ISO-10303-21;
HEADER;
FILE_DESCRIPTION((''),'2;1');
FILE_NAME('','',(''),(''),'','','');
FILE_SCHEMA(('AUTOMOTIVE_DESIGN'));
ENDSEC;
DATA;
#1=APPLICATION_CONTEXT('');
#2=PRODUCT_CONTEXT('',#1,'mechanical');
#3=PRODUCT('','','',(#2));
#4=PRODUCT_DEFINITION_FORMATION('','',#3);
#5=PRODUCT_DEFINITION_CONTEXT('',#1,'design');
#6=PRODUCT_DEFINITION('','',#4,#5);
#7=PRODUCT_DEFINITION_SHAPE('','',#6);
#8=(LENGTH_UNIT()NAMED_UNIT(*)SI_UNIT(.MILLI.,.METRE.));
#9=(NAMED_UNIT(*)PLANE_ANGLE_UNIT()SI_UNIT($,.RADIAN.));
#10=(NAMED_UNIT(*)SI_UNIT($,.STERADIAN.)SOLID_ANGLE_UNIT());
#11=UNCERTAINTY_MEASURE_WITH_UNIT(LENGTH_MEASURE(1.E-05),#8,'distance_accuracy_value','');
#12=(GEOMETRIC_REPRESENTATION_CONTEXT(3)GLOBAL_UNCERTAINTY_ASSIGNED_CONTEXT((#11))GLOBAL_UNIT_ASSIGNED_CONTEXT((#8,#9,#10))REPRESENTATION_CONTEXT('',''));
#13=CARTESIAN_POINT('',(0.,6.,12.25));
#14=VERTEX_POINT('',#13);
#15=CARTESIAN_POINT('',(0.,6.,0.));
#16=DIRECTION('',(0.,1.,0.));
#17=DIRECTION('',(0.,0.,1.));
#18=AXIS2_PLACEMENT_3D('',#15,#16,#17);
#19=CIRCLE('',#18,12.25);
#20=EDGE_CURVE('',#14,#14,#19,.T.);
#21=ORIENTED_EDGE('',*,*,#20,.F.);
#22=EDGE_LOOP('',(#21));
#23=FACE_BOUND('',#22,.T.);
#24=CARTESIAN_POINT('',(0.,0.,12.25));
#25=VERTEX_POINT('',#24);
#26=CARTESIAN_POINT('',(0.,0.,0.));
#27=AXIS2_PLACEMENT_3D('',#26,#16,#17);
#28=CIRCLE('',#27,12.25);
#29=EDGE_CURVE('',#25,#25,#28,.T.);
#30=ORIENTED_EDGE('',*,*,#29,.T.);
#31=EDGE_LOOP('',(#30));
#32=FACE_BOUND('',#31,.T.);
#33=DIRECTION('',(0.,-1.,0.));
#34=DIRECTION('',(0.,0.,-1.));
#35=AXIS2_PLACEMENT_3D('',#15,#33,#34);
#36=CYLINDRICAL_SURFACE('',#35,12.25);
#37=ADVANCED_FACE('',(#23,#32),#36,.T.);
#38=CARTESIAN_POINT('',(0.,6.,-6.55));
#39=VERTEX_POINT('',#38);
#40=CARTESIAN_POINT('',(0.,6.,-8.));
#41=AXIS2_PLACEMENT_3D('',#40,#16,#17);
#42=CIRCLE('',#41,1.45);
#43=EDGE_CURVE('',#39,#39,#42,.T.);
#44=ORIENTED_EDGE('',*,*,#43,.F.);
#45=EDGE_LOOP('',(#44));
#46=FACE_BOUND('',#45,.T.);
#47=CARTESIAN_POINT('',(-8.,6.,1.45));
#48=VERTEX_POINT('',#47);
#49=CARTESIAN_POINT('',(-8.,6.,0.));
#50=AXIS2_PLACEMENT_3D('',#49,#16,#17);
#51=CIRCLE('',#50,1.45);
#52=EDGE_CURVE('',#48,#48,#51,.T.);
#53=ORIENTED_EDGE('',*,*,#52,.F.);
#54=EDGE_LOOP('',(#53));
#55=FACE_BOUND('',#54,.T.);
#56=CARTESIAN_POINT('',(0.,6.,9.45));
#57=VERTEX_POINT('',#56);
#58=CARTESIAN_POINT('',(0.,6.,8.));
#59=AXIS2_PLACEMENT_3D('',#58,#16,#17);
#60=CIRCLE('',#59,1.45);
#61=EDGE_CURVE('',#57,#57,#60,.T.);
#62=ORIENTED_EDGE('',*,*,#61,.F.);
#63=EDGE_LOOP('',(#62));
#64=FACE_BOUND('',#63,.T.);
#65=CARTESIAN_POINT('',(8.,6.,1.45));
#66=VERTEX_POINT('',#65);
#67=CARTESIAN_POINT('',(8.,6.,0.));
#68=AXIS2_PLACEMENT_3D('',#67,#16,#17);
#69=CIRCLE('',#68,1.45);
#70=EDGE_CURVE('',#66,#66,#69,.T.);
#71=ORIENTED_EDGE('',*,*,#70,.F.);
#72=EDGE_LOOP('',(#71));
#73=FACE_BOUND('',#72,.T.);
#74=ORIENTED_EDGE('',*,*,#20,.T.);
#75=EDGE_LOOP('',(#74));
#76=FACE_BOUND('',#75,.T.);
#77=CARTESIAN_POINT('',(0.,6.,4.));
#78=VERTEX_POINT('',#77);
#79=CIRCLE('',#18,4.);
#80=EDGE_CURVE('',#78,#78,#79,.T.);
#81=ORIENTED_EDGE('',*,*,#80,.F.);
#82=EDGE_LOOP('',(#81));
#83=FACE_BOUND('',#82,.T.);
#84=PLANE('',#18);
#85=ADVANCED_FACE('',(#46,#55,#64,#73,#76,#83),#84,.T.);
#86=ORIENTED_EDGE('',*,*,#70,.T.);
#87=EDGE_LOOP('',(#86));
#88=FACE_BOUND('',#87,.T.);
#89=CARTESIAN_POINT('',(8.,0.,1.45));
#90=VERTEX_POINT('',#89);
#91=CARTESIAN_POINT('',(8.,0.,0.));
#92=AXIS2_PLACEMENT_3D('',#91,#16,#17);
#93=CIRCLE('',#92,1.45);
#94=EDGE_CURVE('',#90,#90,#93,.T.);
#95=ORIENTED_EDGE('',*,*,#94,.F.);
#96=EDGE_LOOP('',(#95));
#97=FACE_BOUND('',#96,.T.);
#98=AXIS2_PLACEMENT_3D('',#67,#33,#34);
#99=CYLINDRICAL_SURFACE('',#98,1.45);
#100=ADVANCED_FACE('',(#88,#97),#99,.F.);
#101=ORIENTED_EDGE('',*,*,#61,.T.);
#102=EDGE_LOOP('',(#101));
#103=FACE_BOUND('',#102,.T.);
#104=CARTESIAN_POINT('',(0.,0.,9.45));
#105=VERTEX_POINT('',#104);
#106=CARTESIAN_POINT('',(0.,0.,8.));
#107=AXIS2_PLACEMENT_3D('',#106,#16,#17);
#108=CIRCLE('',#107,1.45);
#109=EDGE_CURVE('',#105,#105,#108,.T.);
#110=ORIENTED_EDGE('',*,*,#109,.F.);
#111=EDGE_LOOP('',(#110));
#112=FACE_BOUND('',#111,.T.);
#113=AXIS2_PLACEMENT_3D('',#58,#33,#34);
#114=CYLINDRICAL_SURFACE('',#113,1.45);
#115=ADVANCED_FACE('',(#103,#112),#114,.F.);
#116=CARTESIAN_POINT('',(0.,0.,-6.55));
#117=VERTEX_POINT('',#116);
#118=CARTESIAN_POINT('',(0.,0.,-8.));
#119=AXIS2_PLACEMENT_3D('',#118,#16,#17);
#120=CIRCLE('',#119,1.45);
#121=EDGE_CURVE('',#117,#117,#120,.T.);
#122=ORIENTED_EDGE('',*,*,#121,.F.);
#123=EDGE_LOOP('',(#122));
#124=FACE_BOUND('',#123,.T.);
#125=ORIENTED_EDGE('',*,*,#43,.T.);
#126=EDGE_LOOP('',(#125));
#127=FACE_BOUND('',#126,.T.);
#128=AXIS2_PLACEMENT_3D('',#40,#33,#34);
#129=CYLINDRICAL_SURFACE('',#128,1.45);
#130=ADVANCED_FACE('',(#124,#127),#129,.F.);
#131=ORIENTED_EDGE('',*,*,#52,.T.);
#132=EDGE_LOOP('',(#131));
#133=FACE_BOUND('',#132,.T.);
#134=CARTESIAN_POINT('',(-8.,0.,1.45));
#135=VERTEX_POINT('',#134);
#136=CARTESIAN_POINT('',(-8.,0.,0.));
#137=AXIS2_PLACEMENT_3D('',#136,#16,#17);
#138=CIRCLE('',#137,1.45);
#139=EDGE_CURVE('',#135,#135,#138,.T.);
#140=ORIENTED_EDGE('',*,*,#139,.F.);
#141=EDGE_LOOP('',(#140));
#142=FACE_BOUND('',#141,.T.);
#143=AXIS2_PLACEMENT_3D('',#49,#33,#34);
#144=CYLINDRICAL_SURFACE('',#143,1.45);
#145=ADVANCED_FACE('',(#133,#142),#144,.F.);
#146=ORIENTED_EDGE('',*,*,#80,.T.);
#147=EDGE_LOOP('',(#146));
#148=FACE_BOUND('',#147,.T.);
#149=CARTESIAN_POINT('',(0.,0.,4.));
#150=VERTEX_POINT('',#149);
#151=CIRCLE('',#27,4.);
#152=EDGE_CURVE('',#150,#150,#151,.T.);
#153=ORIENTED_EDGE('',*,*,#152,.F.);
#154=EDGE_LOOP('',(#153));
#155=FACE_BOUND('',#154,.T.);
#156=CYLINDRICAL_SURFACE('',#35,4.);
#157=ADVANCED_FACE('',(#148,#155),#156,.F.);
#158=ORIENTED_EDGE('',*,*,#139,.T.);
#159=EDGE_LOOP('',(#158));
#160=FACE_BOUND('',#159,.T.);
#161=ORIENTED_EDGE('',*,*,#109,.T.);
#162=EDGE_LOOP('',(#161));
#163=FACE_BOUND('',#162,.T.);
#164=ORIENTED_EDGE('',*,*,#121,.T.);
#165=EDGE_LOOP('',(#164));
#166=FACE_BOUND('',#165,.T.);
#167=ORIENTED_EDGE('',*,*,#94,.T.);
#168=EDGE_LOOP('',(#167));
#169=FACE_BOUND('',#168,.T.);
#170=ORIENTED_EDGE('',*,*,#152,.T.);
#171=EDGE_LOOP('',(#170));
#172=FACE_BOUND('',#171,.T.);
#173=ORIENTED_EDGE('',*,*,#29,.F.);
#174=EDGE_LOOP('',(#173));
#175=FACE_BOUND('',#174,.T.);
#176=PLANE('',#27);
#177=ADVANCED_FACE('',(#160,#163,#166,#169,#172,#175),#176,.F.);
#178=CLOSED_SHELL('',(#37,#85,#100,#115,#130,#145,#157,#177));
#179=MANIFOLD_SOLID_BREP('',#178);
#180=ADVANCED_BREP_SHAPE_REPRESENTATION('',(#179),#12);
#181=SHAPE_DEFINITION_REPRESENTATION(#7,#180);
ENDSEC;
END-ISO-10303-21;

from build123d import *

# Parameters (mm, degrees)
SKETCH_1_R      = 12.25
SKETCH_1_R_2    = 4
SKETCH_1_R_3    = 1.45
EXTRUDE_1_DEPTH = 6


with BuildPart() as part:
    # 草图1 → 凸台-拉伸1 (new body)
    with BuildSketch(Plane(origin=(0, 0, 0), x_dir=(1, 0, 0), z_dir=(0, 1, 0))):
        with Locations(Location((0, 0, 0), (0, 0, 270))):
            Circle(SKETCH_1_R)
        with Locations(Location((0, 0, 0), (0, 0, 270))):
            Circle(SKETCH_1_R_2, mode=Mode.SUBTRACT)
        with Locations(Location((0, 8, 0), (0, 0, 270))):
            Circle(SKETCH_1_R_3, mode=Mode.SUBTRACT)
        with Locations(Location((8, 0, 0), (0, 0, 270))):
            Circle(SKETCH_1_R_3, mode=Mode.SUBTRACT)
        with Locations(Location((0, -8, 0), (0, 0, 270))):
            Circle(SKETCH_1_R_3, mode=Mode.SUBTRACT)
        with Locations(Location((-8, 0, 0), (0, 0, 270))):
            Circle(SKETCH_1_R_3, mode=Mode.SUBTRACT)
    extrude(amount=EXTRUDE_1_DEPTH)


solid = part.part
